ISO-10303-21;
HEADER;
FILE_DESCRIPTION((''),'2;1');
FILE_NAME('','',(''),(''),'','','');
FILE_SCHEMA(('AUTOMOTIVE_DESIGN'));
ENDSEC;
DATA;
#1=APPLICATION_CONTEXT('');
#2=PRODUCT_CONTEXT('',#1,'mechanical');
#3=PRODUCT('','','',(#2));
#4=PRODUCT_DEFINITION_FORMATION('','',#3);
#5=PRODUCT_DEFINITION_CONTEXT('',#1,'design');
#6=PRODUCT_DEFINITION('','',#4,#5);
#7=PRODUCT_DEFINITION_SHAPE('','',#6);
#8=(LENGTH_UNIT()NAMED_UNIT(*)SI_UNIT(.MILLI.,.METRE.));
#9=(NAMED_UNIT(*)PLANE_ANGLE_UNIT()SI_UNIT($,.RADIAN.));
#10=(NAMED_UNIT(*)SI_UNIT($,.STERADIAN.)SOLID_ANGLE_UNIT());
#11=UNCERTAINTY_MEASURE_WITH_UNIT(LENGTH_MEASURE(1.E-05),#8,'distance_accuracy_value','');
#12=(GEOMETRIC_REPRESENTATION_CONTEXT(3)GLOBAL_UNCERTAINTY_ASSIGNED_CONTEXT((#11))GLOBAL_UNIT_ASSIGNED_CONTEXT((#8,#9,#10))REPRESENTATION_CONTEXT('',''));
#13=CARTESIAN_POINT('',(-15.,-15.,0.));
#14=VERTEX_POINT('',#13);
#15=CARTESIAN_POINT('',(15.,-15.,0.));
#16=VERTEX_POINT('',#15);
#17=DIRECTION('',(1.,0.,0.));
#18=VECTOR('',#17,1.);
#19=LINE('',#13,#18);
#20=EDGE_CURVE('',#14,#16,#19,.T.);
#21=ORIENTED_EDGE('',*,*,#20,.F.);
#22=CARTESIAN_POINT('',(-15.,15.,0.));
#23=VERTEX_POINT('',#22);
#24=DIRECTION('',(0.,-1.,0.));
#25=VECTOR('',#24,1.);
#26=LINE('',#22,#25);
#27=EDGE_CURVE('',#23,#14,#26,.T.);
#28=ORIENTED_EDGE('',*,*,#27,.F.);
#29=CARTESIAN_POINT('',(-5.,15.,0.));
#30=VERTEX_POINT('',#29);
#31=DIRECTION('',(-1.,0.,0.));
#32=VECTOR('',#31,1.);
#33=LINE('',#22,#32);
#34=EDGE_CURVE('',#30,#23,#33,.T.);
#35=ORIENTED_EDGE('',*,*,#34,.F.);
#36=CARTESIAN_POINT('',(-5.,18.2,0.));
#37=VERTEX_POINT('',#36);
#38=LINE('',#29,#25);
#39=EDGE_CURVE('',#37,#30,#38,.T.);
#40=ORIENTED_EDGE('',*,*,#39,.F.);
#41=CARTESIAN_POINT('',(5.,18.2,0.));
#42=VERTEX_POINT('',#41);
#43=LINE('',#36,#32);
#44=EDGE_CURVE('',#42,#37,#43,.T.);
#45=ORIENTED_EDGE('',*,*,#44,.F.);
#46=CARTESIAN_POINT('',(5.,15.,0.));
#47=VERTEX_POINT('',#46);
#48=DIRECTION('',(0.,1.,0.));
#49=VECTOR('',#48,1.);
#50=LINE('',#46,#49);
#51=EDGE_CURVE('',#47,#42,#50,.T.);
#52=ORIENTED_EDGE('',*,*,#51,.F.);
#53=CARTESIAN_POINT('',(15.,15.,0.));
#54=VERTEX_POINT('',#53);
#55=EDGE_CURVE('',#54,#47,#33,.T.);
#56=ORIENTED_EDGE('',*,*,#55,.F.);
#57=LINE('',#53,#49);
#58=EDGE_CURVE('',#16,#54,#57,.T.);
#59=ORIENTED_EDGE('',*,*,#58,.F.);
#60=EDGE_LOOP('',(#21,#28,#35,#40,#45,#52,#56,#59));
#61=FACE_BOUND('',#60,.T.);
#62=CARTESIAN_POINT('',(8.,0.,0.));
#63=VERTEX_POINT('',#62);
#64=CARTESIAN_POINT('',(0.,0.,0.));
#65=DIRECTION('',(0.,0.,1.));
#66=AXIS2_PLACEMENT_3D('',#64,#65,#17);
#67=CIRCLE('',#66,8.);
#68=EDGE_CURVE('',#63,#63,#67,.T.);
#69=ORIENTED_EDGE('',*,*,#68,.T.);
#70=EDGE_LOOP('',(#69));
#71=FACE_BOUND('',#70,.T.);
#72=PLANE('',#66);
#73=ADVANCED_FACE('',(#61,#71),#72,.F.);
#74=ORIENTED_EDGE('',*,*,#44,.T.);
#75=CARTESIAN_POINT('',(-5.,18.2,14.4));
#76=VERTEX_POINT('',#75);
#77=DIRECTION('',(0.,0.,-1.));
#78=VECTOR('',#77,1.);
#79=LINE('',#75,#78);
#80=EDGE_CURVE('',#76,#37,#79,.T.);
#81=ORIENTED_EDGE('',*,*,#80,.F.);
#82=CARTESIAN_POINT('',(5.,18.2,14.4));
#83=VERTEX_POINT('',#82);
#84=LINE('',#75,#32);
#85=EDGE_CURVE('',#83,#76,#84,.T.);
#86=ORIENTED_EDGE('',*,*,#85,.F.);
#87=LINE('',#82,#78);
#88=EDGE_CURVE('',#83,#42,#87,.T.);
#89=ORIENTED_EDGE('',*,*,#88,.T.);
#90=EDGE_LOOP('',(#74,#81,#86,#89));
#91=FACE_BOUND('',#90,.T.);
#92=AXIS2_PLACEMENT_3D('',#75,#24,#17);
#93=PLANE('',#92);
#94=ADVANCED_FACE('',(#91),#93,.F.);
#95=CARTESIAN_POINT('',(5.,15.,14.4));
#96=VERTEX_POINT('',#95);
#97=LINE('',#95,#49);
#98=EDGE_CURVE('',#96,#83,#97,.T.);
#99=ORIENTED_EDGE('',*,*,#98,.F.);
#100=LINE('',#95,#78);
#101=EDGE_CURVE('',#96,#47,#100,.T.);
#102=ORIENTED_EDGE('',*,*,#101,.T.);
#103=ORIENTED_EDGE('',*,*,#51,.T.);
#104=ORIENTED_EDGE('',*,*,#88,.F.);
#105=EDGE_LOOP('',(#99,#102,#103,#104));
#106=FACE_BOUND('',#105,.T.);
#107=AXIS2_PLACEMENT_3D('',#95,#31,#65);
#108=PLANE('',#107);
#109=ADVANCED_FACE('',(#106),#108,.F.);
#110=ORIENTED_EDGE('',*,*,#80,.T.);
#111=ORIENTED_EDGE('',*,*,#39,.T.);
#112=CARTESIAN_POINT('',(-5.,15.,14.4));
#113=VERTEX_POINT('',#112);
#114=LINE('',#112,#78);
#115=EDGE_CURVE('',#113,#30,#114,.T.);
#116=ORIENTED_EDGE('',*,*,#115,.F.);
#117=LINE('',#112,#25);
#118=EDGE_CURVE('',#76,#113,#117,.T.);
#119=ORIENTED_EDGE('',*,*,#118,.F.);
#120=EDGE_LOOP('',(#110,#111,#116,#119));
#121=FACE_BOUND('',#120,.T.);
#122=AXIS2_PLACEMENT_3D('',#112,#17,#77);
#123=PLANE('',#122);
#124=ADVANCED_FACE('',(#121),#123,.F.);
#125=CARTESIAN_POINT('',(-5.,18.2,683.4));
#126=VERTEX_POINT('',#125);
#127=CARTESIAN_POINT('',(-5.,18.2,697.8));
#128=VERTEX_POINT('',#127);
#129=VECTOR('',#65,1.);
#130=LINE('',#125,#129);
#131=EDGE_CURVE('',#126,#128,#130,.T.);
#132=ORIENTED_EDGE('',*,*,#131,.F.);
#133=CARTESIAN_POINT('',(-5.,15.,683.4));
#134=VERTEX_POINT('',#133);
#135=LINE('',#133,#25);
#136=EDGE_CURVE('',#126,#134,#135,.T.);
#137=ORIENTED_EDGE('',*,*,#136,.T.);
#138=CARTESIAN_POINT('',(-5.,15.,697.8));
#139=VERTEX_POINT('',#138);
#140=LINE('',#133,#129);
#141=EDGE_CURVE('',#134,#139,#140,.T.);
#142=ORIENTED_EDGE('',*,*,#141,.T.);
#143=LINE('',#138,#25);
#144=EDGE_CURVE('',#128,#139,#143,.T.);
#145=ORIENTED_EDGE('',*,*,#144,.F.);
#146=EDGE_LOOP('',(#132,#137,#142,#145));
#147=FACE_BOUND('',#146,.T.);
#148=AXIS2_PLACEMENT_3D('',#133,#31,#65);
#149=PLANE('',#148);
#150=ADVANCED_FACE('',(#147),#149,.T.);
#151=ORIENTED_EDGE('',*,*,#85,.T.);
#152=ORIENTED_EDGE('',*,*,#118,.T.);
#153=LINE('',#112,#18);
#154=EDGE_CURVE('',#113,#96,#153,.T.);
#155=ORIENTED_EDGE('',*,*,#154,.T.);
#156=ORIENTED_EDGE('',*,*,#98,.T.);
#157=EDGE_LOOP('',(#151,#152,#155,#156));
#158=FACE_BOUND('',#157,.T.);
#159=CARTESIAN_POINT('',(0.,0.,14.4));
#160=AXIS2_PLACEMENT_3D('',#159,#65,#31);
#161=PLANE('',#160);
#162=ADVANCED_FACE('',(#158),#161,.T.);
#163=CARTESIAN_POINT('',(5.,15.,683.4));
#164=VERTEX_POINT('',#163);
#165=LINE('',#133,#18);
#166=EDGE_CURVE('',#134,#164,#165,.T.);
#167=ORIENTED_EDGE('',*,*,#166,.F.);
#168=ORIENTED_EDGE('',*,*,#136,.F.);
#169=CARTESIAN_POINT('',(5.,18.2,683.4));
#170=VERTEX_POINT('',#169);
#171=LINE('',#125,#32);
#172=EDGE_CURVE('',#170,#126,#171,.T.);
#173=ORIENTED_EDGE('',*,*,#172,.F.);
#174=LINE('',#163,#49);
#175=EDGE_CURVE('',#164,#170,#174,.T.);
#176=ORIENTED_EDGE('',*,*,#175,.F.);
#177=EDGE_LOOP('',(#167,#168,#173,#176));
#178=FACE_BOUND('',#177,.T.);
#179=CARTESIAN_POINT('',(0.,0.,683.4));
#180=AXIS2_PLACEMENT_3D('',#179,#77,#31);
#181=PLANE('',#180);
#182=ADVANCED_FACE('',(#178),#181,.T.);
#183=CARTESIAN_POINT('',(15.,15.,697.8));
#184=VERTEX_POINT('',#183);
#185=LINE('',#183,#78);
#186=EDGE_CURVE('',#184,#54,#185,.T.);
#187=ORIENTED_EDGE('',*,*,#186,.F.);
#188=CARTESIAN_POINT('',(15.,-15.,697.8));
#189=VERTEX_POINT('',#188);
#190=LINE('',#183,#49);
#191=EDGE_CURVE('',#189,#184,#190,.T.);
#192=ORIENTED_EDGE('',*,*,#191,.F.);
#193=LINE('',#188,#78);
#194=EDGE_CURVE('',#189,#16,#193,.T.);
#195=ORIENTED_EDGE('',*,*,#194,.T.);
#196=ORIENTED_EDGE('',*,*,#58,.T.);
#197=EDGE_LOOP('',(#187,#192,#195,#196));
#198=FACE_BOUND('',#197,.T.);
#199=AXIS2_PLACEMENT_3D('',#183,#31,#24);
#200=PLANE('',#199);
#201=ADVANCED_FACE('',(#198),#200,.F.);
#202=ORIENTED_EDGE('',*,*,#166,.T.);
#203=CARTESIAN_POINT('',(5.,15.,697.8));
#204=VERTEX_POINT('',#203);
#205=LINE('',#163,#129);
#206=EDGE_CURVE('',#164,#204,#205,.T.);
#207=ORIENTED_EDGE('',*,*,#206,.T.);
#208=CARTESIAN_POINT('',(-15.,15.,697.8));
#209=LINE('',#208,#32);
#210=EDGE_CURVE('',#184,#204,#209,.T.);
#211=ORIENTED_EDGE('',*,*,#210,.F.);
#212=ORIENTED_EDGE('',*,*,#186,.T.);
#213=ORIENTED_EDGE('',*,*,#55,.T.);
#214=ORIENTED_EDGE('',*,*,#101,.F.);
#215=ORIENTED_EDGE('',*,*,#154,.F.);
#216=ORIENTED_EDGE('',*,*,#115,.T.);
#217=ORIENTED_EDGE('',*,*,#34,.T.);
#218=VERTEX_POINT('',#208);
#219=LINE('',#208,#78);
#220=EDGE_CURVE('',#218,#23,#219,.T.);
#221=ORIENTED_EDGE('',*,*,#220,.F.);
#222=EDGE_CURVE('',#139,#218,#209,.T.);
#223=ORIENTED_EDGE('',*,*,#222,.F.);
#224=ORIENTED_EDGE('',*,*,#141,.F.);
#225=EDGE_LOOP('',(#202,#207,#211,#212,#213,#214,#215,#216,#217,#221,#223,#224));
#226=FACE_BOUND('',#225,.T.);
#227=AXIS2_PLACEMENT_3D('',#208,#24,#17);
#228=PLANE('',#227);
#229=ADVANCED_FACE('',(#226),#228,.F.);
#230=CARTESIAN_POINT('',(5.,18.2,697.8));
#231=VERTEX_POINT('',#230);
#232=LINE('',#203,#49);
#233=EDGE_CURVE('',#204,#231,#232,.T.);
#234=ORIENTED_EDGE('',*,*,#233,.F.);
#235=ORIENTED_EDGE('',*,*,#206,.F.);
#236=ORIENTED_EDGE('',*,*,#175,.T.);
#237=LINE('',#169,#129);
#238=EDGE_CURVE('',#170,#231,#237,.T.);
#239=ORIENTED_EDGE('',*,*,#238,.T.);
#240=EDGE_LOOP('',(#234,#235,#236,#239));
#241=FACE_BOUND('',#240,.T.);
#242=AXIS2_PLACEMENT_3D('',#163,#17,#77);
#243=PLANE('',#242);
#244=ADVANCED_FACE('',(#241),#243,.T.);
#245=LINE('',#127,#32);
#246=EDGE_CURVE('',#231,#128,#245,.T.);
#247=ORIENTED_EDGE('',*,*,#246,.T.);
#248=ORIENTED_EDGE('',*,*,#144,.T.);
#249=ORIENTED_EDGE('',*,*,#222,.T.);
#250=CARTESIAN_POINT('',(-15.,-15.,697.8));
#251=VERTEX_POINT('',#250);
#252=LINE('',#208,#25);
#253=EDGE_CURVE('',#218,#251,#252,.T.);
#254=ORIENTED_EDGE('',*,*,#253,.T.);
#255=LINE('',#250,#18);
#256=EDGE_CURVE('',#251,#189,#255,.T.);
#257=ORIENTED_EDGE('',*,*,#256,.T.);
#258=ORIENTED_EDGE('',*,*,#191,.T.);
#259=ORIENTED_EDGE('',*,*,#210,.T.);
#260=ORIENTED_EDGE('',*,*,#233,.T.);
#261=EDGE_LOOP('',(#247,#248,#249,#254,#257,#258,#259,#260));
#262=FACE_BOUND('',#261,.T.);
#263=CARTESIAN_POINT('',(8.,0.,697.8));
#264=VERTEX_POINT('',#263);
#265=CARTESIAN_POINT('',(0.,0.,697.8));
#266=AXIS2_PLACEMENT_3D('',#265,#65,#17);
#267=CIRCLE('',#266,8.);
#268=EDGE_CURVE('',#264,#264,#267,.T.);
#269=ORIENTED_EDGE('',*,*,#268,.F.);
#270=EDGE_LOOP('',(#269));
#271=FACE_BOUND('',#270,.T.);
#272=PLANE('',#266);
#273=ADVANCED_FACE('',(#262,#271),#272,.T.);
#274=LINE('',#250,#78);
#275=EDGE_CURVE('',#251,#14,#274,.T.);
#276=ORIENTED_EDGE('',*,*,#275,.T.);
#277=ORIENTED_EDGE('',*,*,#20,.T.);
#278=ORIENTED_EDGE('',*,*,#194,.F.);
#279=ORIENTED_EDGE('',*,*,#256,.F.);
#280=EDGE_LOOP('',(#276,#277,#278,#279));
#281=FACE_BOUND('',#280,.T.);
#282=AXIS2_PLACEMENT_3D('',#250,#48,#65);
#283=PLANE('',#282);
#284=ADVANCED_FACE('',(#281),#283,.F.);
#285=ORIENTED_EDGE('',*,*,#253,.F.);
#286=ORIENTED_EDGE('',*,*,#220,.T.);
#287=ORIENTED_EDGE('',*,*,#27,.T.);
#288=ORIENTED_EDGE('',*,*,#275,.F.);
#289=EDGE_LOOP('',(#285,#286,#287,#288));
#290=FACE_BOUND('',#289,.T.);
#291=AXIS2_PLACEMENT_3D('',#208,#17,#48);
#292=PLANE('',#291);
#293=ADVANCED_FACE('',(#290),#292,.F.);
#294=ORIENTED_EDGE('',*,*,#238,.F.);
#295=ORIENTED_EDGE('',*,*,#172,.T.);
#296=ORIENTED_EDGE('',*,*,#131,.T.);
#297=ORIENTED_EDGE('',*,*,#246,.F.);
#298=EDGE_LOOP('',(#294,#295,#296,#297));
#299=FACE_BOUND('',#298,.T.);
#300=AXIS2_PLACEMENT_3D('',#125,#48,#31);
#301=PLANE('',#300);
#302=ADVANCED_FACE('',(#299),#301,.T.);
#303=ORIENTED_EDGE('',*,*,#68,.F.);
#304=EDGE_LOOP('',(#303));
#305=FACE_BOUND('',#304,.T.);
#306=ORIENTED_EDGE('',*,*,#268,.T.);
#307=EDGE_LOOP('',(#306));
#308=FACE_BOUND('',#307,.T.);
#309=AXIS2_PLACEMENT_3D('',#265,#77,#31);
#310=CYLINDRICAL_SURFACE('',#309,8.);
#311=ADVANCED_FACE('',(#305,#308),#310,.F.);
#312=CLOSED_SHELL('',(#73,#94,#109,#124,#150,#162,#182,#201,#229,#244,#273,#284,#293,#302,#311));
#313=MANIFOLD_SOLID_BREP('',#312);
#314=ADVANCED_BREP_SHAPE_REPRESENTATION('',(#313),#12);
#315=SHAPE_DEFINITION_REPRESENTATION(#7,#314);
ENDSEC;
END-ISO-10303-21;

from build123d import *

# Parameters (mm, degrees)
SKETCH_1_W      = 30
SKETCH_1_H      = 30
SKETCH_1_R      = 8
EXTRUDE_1_DEPTH = 697.8
SKETCH_2_W      = 10
SKETCH_2_H      = 3.2
EXTRUDE_2_DEPTH = 14.4


with BuildPart() as part:
    # 草图1 → 凸台-拉伸1 (new body)
    with BuildSketch(Plane.XY):
        Rectangle(SKETCH_1_W, SKETCH_1_H)
        Circle(SKETCH_1_R, mode=Mode.SUBTRACT)
    extrude(amount=EXTRUDE_1_DEPTH)

    # 草图2 → 凸台-拉伸2 (add)
    with BuildSketch(Plane.XY.offset(697.8)):
        with Locations((0, 16.6)):
            Rectangle(SKETCH_2_W, SKETCH_2_H)
    extrude_2 = extrude(amount=-EXTRUDE_2_DEPTH)

    # 镜向1: 凸台-拉伸2 across plane
    add(extrude_2.mirror(Plane.XY.offset(348.9)))


solid = part.part
